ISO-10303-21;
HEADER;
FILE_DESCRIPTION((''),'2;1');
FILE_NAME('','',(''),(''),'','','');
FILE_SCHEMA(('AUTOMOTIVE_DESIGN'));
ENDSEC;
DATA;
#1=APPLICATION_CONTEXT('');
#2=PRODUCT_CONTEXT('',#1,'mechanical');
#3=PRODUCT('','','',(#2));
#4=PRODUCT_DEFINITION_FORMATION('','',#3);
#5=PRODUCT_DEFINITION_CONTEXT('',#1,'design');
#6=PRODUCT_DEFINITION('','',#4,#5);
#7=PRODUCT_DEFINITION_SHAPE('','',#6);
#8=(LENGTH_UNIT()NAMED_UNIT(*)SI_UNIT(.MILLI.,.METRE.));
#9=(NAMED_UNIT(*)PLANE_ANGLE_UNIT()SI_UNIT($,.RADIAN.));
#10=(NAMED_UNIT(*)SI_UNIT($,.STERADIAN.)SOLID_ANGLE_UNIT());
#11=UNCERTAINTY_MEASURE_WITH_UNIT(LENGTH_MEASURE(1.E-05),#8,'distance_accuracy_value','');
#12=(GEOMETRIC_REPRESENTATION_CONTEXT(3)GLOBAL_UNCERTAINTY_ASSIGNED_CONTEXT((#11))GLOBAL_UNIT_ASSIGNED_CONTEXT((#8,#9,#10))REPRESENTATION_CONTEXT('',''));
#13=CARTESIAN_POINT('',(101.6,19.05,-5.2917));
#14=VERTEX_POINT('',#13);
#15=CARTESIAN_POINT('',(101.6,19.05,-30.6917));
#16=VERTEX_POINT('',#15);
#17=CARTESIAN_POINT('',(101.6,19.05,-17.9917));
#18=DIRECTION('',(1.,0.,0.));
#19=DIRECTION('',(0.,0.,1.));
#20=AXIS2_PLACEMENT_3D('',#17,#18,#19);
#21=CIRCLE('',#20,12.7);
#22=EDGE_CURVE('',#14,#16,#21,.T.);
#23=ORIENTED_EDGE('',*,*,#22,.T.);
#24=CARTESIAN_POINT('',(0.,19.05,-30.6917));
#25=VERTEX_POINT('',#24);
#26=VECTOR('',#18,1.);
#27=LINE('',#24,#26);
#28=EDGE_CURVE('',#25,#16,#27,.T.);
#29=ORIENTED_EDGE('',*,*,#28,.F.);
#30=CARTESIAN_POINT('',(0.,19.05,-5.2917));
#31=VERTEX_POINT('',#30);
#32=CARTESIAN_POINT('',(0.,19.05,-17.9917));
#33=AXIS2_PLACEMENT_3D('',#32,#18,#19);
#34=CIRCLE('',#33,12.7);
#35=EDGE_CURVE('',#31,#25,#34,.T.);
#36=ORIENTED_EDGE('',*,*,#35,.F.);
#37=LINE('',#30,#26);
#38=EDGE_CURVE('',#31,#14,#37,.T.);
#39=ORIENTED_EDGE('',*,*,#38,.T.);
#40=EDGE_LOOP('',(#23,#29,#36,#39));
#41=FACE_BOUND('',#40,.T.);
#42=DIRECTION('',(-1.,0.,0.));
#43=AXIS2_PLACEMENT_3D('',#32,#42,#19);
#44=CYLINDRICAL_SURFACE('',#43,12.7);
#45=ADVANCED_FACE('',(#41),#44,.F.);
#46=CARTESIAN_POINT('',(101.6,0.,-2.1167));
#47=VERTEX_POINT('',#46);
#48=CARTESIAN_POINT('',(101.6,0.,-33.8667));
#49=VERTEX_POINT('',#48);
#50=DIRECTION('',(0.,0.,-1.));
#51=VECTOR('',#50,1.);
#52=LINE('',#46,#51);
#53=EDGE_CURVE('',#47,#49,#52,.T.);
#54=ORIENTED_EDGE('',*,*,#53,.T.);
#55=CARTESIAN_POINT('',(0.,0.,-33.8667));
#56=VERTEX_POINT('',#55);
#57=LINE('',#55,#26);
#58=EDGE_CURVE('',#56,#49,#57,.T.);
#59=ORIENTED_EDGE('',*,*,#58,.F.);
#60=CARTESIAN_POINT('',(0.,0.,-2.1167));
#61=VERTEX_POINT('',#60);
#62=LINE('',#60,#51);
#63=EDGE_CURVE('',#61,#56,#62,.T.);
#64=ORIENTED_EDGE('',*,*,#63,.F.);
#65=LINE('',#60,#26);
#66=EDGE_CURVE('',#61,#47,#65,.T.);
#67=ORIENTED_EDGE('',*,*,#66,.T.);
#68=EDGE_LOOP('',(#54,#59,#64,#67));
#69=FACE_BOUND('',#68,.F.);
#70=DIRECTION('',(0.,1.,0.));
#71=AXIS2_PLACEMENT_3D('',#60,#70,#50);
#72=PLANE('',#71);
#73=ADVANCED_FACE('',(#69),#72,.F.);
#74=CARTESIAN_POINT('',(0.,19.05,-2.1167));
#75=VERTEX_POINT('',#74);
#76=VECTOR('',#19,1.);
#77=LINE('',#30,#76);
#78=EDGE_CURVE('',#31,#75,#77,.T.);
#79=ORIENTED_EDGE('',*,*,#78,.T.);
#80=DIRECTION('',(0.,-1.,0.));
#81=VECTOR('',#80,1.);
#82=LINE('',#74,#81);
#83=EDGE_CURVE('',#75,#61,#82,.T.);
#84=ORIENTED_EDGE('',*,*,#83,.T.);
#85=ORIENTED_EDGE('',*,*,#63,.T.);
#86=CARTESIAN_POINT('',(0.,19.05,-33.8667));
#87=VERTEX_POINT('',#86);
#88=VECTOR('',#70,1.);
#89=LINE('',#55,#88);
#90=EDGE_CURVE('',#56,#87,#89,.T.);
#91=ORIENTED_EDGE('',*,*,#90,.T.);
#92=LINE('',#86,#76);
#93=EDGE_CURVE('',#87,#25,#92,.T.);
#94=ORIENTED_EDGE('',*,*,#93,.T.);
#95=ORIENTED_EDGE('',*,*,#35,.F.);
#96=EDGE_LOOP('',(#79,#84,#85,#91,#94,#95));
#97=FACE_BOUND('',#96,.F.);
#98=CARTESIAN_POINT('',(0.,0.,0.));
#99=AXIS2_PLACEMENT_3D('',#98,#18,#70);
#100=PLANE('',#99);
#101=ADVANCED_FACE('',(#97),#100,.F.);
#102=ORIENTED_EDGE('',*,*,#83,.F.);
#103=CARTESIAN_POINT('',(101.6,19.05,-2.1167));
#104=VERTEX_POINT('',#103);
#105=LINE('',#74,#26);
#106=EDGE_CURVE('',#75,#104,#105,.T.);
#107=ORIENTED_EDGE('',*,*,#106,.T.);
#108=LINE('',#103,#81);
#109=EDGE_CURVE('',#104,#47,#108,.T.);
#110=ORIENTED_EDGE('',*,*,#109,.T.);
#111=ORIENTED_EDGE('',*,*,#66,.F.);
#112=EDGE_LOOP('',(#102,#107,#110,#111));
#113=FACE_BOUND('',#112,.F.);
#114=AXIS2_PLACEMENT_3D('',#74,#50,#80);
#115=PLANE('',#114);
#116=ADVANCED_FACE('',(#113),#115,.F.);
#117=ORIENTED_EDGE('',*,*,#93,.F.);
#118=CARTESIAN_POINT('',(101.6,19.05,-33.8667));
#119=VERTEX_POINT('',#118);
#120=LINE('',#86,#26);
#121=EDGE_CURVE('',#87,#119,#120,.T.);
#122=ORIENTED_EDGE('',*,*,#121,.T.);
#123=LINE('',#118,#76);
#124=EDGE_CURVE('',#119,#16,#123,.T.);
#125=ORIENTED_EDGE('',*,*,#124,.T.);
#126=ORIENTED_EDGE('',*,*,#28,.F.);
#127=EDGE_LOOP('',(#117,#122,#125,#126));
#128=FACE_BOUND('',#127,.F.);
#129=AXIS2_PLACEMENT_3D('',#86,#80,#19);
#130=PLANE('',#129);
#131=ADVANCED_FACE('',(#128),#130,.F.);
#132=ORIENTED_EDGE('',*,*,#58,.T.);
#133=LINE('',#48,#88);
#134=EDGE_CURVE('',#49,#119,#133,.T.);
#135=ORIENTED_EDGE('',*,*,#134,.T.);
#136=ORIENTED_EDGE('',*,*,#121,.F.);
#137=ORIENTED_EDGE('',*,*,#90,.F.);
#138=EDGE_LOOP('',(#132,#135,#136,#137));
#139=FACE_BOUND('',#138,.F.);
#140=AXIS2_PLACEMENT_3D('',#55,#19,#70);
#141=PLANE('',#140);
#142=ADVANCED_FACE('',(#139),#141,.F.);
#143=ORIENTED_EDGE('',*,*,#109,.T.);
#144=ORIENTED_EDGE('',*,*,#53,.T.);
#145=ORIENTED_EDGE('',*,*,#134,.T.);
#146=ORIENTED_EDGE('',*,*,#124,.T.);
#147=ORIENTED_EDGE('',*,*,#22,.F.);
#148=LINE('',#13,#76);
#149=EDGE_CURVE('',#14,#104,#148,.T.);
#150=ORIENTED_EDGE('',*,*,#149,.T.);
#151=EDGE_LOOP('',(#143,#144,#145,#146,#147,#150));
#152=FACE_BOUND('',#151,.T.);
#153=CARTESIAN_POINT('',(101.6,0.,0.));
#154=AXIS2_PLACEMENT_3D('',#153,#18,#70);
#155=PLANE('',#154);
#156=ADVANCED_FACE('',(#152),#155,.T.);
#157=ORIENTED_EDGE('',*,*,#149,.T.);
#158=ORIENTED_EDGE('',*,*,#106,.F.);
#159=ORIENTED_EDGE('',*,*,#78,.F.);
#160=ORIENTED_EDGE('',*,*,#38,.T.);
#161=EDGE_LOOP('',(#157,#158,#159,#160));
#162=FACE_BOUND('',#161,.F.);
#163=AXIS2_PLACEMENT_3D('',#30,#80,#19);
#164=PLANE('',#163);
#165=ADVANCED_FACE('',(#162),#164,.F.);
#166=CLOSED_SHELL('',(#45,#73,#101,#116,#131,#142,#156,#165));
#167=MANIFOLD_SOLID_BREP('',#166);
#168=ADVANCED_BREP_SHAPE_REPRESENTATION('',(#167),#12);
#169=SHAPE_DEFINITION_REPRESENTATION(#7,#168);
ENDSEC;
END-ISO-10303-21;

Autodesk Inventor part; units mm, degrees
ref_plane "YZ Plane" through (0, 0, 0) normal (1, 0, 0) x (0, 1, 0)
ref_plane "XZ Plane" through (0, 0, 0) normal (0, 1, 0) x (-1, 0, 0)
ref_plane "XY Plane" through (0, 0, 0) normal (0, 0, 1) x (1, 0, 0)
sketch "Sketch1" plane through (0, 0, 0) normal (1, 0, 0) x (0, 1, 0)
  line L0 (19.05, -2.1167) -> (0, -2.1167)
  line L1 (0, -2.1167) -> (0, -33.8667)
  line L2 (0, -33.8667) -> (19.05, -33.8667)
  arc A0 (19.05, -5.2917) -> (19.05, -30.6917) centre (19.05, -17.9917) ccw
  line L3 (19.05, -33.8667) -> (19.05, -30.6917)
  line L4 (19.05, -5.2917) -> (19.05, -2.1167)
  point P0 (0, 0)
  dimension "d0" = 12.7
  dimension "d1" = 19.05
  dimension "d2" = 31.75
  dimension "d3" = 19.05
  dimension "d4" = 19.05
extrude "Extrusion1" add sketch "Sketch1" along normal blind 101.6
properties part number "Ball Ramp - Goldberg"
